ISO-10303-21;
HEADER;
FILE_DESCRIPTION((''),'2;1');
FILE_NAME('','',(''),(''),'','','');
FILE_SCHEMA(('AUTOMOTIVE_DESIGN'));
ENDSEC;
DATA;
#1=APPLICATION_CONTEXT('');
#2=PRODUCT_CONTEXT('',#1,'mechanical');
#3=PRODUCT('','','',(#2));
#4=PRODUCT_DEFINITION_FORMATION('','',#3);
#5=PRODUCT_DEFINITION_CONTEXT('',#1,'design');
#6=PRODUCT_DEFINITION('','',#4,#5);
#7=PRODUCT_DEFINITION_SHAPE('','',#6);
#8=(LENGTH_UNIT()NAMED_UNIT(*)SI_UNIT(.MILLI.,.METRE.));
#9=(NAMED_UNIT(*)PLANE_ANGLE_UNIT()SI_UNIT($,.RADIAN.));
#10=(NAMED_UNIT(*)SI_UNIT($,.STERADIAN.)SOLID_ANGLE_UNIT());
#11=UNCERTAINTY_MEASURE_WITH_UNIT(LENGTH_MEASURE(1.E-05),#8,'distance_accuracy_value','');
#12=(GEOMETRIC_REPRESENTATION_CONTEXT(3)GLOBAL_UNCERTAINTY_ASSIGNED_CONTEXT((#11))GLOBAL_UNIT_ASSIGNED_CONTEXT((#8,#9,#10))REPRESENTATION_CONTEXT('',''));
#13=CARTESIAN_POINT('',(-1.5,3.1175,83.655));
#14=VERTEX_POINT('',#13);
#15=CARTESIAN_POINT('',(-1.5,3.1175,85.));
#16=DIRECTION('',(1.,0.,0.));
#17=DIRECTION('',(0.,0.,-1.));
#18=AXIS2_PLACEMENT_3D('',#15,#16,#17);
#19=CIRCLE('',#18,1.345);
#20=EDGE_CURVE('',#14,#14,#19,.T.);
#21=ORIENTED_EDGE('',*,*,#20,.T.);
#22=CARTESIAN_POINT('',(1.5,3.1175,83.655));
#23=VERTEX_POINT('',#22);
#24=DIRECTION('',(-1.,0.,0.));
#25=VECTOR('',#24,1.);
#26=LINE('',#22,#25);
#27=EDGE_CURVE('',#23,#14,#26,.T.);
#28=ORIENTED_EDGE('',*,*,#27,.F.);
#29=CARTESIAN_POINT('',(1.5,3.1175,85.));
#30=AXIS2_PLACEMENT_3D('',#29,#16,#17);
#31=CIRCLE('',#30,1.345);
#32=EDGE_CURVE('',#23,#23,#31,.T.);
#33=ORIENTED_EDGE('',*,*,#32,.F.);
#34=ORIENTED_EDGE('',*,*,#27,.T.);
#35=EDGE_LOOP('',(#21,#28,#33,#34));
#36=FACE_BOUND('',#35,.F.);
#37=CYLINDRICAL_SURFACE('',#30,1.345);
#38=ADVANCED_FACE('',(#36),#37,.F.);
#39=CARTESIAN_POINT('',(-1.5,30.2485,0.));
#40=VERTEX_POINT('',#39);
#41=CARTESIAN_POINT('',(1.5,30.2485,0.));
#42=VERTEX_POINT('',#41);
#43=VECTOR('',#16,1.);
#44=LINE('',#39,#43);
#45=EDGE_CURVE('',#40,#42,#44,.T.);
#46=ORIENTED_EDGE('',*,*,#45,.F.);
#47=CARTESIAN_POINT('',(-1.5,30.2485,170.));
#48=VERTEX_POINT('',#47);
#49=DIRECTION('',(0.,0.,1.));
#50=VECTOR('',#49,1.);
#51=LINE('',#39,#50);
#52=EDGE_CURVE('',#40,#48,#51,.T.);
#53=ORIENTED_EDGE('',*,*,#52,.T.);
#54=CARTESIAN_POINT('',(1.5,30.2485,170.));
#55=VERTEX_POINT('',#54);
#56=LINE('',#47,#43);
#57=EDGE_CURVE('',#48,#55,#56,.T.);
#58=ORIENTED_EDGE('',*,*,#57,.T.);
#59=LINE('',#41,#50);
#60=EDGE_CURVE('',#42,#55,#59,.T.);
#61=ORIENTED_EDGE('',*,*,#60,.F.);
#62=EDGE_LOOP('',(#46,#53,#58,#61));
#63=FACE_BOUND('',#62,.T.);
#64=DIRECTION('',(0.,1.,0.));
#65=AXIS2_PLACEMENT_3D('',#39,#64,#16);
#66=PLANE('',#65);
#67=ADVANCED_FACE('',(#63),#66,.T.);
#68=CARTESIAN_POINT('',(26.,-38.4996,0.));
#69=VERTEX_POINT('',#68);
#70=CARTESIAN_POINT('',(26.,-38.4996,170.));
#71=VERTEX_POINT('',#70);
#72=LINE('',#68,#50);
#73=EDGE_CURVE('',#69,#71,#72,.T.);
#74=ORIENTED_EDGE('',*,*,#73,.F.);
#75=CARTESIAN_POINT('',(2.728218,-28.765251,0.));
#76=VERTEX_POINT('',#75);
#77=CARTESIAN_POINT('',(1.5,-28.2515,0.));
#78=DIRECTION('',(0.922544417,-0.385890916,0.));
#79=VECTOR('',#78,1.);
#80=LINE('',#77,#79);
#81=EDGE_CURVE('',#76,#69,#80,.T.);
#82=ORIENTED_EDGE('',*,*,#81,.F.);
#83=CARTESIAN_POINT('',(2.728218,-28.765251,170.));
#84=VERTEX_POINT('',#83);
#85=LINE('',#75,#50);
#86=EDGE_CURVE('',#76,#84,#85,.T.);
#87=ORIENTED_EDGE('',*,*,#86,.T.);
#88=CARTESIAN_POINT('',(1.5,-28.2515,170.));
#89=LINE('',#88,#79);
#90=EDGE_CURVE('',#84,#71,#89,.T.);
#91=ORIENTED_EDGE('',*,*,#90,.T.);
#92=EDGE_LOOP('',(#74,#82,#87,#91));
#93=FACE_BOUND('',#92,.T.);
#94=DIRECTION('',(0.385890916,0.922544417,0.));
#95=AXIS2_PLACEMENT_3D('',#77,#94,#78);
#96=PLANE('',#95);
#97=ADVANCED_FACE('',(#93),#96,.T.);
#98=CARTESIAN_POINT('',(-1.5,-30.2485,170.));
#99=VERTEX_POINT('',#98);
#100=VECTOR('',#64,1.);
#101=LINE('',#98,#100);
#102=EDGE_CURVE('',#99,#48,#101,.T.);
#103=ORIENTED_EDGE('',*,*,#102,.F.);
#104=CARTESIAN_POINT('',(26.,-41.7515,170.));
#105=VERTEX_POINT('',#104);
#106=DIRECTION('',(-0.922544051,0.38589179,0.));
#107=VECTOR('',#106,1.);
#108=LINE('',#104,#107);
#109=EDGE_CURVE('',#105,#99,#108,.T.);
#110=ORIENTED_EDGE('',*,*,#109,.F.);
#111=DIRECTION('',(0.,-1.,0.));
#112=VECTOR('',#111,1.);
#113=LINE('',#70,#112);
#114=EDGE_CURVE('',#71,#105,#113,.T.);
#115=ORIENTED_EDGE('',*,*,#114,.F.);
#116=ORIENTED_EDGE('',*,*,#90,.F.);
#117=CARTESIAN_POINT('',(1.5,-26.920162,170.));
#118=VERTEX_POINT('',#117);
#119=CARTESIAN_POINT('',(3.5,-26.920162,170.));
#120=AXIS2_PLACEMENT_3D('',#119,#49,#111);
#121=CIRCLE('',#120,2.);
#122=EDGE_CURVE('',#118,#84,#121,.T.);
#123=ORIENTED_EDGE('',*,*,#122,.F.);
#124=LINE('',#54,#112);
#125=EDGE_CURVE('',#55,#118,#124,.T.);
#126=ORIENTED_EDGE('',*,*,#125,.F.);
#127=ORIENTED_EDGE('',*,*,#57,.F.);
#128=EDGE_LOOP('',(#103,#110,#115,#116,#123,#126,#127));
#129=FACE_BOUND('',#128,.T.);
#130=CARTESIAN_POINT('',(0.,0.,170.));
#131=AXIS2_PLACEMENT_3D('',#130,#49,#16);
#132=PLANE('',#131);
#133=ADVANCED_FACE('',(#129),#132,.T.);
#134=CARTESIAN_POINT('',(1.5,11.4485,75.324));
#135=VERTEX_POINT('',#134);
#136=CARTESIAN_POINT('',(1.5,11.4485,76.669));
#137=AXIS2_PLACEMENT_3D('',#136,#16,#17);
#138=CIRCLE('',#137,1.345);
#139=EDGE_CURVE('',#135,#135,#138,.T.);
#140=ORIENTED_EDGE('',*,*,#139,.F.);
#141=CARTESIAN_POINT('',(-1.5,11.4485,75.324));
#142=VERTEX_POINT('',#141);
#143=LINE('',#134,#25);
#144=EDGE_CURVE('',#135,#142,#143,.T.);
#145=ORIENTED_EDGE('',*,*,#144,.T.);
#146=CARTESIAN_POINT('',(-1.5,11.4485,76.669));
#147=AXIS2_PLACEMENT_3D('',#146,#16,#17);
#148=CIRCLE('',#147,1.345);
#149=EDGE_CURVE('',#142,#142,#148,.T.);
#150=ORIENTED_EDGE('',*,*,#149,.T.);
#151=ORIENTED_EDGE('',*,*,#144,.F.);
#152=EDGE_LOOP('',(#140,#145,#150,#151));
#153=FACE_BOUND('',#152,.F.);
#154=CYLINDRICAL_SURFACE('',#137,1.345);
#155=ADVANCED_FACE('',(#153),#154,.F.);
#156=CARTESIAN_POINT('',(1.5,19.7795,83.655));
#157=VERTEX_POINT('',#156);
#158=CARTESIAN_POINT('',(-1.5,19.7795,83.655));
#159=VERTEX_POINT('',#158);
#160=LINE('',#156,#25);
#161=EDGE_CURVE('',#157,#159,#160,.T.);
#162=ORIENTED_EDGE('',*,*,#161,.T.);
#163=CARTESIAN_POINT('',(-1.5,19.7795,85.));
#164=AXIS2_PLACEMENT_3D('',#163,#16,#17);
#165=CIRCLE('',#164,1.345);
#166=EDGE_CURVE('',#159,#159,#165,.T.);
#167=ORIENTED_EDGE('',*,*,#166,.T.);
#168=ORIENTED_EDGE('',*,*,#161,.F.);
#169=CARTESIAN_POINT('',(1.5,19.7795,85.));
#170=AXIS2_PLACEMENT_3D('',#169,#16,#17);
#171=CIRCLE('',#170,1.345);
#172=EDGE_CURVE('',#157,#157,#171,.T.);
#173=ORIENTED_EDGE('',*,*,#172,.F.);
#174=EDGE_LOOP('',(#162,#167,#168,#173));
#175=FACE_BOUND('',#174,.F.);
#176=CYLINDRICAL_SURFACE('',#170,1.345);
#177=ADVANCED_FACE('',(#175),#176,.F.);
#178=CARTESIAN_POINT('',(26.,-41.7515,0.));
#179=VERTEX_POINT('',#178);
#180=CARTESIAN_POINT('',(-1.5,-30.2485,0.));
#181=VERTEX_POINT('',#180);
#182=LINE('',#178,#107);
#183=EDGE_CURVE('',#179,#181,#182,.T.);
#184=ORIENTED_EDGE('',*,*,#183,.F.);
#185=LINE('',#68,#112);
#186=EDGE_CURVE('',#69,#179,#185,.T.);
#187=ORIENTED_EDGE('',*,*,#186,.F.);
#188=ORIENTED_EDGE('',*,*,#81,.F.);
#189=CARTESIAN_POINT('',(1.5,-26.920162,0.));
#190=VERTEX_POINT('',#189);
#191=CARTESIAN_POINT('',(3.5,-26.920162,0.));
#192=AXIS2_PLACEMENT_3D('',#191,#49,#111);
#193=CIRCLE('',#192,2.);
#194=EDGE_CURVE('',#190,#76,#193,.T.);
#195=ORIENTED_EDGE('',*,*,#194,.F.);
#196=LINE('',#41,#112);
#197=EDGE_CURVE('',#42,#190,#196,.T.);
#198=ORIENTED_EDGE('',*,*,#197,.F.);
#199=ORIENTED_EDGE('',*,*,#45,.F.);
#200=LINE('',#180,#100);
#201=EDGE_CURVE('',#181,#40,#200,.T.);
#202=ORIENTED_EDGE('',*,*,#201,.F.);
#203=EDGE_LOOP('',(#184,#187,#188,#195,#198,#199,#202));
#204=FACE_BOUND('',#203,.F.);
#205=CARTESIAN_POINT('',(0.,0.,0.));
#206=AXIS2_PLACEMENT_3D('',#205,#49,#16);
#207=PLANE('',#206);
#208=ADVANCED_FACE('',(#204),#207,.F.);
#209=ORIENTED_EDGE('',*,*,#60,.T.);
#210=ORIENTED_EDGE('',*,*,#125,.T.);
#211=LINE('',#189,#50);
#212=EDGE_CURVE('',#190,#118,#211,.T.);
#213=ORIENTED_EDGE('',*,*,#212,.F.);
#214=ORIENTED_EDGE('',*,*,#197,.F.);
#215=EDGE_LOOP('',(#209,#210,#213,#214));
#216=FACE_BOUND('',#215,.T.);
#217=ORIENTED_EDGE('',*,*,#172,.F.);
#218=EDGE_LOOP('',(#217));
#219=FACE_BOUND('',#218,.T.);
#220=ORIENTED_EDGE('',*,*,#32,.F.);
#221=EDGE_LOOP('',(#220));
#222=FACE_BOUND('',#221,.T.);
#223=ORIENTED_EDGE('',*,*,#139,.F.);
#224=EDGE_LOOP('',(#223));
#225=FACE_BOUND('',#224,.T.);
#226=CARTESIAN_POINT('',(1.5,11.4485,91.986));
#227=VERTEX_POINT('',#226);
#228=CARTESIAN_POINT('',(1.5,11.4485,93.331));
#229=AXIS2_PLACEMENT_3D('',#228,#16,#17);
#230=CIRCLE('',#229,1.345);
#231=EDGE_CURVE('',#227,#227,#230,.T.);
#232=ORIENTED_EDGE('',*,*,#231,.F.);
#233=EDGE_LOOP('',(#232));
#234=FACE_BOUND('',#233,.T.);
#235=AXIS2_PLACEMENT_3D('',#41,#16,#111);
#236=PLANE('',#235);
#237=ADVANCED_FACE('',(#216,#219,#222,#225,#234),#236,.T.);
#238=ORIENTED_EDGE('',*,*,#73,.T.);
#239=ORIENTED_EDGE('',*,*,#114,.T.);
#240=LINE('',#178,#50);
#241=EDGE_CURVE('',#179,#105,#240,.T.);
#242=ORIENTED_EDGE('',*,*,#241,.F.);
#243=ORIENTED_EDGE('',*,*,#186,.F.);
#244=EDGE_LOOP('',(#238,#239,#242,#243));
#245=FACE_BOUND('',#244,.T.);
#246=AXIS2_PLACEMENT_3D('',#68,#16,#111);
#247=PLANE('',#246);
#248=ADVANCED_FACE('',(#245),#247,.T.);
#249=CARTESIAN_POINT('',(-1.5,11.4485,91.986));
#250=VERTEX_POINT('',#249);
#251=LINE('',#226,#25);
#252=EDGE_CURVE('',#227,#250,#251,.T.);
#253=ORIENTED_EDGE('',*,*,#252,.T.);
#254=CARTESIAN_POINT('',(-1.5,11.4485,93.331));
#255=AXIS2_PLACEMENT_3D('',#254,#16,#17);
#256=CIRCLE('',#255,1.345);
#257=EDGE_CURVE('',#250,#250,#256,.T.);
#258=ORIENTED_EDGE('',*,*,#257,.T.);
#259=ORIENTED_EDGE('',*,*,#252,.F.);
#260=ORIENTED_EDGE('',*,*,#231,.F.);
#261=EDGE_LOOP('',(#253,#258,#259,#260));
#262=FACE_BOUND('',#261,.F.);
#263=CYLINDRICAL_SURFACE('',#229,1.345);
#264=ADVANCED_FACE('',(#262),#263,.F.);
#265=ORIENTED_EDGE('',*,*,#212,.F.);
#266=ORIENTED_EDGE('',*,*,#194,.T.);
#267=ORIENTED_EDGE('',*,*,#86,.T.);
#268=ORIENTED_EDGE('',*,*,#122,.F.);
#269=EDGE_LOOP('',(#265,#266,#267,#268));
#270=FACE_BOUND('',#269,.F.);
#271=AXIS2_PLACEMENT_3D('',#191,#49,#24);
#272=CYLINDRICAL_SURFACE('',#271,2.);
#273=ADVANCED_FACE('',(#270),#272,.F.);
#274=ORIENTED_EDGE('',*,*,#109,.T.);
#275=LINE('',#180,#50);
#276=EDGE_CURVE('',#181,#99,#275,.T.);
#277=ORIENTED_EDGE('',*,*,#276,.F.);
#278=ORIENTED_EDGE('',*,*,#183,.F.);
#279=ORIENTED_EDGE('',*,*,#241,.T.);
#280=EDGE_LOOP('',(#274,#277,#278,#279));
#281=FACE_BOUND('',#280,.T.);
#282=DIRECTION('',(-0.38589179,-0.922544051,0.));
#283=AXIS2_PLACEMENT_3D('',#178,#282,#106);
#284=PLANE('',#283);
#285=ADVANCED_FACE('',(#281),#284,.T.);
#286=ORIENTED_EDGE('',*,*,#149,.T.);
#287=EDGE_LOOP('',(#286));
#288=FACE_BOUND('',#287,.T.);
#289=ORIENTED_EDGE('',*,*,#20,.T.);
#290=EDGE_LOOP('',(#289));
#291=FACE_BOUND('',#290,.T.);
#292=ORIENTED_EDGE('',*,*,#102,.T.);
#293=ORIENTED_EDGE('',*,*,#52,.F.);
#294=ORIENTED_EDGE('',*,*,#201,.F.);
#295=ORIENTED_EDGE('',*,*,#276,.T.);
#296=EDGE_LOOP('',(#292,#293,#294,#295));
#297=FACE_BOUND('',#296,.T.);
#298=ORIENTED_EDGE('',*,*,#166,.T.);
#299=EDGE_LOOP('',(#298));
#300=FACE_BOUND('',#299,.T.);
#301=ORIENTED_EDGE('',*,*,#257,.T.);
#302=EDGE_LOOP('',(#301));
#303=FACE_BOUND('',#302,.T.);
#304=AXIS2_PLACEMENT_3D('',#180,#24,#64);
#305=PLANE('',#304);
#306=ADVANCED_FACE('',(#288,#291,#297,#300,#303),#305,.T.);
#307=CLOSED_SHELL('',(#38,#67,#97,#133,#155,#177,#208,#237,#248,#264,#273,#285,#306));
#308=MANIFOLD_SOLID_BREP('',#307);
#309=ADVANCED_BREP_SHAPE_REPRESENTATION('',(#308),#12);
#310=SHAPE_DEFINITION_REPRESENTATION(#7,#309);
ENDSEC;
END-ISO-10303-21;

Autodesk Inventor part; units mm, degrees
ref_plane "YZ Plane" through (0, 0, 0) normal (1, 0, 0) x (0, 1, 0)
ref_plane "XZ Plane" through (0, 0, 0) normal (0, 1, 0) x (-1, 0, 0)
ref_plane "XY Plane" through (0, 0, 0) normal (0, 0, 1) x (1, 0, 0)
sketch "Sketch3" plane through (0, 0, 0) normal (0, 0, 1) x (1, 0, 0)
  line L0 (-1.5, 30.2485) -> (1.5, 30.2485)
  line L1 (1.5, 30.2485) -> (1.5, -30.2485)
  line L2 (1.5, -30.2485) -> (-1.5, -30.2485)
  line L3 (-1.5, -30.2485) -> (-1.5, 30.2485)
  line L4 (1.5, -28.2515) -> (26, -38.4996)
  line L5 (26, -38.4996) -> (26, -41.7515)
  line L6 (26, -41.7515) -> (-1.5, -30.2485)
  point P0 (0, 0)
  point P1 (0, 30.2485)
  point P2 (1.5, 0)
  dimension "d20" = 3
  dimension "d26" = 24.5
  dimension "d39" = 3
  dimension "d41" = 58.5
  dimension "d43" = 72
extrude "Extrusion3" add sketch "Sketch3" along normal blind 170
sketch "Sketch4" plane through (1.5, -28.2515, 0) normal (1, 0, 0) x (0, 0, -1)
  circle A0 centre (-85, 48.031) radius 1.345
  circle A1 centre (-85, 31.369) radius 1.345
  circle A2 centre (-76.669, 39.7) radius 1.345
  circle A3 centre (-93.331, 39.7) radius 1.345
  line L0 (0, 58.5) -> (0, 0) projected
  line L1 (0, 58.5) -> (-170, 58.5) projected
  line L2 (-170, 0) -> (-170, 58.5) projected
  line L3 (0, 0) -> (-170, 0) projected
  point P0 (-85, 58.5)
  dimension "d28" = 2.69
  dimension "d30" = 8.331
  dimension "d31" = 8.331
  dimension "d32" = 8.331
  dimension "d33" = 8.331
  dimension "d34" = 16.662
  dimension "d35" = 16.662
  dimension "d36" = 10.469
extrude "Extrusion4" cut sketch "Sketch4" against normal through all contours A0 | A1 | A2 | A3
fillet "Fillet1" radius 2 1 edges at (1.5, -28.2515, 85)
equation "\"d31\" = d30"
equation "\"d32\" = d30"
equation "\"d33\" = d30"
equation "\"d35\" = d34"
properties part number "CowCatcherRearShort"
